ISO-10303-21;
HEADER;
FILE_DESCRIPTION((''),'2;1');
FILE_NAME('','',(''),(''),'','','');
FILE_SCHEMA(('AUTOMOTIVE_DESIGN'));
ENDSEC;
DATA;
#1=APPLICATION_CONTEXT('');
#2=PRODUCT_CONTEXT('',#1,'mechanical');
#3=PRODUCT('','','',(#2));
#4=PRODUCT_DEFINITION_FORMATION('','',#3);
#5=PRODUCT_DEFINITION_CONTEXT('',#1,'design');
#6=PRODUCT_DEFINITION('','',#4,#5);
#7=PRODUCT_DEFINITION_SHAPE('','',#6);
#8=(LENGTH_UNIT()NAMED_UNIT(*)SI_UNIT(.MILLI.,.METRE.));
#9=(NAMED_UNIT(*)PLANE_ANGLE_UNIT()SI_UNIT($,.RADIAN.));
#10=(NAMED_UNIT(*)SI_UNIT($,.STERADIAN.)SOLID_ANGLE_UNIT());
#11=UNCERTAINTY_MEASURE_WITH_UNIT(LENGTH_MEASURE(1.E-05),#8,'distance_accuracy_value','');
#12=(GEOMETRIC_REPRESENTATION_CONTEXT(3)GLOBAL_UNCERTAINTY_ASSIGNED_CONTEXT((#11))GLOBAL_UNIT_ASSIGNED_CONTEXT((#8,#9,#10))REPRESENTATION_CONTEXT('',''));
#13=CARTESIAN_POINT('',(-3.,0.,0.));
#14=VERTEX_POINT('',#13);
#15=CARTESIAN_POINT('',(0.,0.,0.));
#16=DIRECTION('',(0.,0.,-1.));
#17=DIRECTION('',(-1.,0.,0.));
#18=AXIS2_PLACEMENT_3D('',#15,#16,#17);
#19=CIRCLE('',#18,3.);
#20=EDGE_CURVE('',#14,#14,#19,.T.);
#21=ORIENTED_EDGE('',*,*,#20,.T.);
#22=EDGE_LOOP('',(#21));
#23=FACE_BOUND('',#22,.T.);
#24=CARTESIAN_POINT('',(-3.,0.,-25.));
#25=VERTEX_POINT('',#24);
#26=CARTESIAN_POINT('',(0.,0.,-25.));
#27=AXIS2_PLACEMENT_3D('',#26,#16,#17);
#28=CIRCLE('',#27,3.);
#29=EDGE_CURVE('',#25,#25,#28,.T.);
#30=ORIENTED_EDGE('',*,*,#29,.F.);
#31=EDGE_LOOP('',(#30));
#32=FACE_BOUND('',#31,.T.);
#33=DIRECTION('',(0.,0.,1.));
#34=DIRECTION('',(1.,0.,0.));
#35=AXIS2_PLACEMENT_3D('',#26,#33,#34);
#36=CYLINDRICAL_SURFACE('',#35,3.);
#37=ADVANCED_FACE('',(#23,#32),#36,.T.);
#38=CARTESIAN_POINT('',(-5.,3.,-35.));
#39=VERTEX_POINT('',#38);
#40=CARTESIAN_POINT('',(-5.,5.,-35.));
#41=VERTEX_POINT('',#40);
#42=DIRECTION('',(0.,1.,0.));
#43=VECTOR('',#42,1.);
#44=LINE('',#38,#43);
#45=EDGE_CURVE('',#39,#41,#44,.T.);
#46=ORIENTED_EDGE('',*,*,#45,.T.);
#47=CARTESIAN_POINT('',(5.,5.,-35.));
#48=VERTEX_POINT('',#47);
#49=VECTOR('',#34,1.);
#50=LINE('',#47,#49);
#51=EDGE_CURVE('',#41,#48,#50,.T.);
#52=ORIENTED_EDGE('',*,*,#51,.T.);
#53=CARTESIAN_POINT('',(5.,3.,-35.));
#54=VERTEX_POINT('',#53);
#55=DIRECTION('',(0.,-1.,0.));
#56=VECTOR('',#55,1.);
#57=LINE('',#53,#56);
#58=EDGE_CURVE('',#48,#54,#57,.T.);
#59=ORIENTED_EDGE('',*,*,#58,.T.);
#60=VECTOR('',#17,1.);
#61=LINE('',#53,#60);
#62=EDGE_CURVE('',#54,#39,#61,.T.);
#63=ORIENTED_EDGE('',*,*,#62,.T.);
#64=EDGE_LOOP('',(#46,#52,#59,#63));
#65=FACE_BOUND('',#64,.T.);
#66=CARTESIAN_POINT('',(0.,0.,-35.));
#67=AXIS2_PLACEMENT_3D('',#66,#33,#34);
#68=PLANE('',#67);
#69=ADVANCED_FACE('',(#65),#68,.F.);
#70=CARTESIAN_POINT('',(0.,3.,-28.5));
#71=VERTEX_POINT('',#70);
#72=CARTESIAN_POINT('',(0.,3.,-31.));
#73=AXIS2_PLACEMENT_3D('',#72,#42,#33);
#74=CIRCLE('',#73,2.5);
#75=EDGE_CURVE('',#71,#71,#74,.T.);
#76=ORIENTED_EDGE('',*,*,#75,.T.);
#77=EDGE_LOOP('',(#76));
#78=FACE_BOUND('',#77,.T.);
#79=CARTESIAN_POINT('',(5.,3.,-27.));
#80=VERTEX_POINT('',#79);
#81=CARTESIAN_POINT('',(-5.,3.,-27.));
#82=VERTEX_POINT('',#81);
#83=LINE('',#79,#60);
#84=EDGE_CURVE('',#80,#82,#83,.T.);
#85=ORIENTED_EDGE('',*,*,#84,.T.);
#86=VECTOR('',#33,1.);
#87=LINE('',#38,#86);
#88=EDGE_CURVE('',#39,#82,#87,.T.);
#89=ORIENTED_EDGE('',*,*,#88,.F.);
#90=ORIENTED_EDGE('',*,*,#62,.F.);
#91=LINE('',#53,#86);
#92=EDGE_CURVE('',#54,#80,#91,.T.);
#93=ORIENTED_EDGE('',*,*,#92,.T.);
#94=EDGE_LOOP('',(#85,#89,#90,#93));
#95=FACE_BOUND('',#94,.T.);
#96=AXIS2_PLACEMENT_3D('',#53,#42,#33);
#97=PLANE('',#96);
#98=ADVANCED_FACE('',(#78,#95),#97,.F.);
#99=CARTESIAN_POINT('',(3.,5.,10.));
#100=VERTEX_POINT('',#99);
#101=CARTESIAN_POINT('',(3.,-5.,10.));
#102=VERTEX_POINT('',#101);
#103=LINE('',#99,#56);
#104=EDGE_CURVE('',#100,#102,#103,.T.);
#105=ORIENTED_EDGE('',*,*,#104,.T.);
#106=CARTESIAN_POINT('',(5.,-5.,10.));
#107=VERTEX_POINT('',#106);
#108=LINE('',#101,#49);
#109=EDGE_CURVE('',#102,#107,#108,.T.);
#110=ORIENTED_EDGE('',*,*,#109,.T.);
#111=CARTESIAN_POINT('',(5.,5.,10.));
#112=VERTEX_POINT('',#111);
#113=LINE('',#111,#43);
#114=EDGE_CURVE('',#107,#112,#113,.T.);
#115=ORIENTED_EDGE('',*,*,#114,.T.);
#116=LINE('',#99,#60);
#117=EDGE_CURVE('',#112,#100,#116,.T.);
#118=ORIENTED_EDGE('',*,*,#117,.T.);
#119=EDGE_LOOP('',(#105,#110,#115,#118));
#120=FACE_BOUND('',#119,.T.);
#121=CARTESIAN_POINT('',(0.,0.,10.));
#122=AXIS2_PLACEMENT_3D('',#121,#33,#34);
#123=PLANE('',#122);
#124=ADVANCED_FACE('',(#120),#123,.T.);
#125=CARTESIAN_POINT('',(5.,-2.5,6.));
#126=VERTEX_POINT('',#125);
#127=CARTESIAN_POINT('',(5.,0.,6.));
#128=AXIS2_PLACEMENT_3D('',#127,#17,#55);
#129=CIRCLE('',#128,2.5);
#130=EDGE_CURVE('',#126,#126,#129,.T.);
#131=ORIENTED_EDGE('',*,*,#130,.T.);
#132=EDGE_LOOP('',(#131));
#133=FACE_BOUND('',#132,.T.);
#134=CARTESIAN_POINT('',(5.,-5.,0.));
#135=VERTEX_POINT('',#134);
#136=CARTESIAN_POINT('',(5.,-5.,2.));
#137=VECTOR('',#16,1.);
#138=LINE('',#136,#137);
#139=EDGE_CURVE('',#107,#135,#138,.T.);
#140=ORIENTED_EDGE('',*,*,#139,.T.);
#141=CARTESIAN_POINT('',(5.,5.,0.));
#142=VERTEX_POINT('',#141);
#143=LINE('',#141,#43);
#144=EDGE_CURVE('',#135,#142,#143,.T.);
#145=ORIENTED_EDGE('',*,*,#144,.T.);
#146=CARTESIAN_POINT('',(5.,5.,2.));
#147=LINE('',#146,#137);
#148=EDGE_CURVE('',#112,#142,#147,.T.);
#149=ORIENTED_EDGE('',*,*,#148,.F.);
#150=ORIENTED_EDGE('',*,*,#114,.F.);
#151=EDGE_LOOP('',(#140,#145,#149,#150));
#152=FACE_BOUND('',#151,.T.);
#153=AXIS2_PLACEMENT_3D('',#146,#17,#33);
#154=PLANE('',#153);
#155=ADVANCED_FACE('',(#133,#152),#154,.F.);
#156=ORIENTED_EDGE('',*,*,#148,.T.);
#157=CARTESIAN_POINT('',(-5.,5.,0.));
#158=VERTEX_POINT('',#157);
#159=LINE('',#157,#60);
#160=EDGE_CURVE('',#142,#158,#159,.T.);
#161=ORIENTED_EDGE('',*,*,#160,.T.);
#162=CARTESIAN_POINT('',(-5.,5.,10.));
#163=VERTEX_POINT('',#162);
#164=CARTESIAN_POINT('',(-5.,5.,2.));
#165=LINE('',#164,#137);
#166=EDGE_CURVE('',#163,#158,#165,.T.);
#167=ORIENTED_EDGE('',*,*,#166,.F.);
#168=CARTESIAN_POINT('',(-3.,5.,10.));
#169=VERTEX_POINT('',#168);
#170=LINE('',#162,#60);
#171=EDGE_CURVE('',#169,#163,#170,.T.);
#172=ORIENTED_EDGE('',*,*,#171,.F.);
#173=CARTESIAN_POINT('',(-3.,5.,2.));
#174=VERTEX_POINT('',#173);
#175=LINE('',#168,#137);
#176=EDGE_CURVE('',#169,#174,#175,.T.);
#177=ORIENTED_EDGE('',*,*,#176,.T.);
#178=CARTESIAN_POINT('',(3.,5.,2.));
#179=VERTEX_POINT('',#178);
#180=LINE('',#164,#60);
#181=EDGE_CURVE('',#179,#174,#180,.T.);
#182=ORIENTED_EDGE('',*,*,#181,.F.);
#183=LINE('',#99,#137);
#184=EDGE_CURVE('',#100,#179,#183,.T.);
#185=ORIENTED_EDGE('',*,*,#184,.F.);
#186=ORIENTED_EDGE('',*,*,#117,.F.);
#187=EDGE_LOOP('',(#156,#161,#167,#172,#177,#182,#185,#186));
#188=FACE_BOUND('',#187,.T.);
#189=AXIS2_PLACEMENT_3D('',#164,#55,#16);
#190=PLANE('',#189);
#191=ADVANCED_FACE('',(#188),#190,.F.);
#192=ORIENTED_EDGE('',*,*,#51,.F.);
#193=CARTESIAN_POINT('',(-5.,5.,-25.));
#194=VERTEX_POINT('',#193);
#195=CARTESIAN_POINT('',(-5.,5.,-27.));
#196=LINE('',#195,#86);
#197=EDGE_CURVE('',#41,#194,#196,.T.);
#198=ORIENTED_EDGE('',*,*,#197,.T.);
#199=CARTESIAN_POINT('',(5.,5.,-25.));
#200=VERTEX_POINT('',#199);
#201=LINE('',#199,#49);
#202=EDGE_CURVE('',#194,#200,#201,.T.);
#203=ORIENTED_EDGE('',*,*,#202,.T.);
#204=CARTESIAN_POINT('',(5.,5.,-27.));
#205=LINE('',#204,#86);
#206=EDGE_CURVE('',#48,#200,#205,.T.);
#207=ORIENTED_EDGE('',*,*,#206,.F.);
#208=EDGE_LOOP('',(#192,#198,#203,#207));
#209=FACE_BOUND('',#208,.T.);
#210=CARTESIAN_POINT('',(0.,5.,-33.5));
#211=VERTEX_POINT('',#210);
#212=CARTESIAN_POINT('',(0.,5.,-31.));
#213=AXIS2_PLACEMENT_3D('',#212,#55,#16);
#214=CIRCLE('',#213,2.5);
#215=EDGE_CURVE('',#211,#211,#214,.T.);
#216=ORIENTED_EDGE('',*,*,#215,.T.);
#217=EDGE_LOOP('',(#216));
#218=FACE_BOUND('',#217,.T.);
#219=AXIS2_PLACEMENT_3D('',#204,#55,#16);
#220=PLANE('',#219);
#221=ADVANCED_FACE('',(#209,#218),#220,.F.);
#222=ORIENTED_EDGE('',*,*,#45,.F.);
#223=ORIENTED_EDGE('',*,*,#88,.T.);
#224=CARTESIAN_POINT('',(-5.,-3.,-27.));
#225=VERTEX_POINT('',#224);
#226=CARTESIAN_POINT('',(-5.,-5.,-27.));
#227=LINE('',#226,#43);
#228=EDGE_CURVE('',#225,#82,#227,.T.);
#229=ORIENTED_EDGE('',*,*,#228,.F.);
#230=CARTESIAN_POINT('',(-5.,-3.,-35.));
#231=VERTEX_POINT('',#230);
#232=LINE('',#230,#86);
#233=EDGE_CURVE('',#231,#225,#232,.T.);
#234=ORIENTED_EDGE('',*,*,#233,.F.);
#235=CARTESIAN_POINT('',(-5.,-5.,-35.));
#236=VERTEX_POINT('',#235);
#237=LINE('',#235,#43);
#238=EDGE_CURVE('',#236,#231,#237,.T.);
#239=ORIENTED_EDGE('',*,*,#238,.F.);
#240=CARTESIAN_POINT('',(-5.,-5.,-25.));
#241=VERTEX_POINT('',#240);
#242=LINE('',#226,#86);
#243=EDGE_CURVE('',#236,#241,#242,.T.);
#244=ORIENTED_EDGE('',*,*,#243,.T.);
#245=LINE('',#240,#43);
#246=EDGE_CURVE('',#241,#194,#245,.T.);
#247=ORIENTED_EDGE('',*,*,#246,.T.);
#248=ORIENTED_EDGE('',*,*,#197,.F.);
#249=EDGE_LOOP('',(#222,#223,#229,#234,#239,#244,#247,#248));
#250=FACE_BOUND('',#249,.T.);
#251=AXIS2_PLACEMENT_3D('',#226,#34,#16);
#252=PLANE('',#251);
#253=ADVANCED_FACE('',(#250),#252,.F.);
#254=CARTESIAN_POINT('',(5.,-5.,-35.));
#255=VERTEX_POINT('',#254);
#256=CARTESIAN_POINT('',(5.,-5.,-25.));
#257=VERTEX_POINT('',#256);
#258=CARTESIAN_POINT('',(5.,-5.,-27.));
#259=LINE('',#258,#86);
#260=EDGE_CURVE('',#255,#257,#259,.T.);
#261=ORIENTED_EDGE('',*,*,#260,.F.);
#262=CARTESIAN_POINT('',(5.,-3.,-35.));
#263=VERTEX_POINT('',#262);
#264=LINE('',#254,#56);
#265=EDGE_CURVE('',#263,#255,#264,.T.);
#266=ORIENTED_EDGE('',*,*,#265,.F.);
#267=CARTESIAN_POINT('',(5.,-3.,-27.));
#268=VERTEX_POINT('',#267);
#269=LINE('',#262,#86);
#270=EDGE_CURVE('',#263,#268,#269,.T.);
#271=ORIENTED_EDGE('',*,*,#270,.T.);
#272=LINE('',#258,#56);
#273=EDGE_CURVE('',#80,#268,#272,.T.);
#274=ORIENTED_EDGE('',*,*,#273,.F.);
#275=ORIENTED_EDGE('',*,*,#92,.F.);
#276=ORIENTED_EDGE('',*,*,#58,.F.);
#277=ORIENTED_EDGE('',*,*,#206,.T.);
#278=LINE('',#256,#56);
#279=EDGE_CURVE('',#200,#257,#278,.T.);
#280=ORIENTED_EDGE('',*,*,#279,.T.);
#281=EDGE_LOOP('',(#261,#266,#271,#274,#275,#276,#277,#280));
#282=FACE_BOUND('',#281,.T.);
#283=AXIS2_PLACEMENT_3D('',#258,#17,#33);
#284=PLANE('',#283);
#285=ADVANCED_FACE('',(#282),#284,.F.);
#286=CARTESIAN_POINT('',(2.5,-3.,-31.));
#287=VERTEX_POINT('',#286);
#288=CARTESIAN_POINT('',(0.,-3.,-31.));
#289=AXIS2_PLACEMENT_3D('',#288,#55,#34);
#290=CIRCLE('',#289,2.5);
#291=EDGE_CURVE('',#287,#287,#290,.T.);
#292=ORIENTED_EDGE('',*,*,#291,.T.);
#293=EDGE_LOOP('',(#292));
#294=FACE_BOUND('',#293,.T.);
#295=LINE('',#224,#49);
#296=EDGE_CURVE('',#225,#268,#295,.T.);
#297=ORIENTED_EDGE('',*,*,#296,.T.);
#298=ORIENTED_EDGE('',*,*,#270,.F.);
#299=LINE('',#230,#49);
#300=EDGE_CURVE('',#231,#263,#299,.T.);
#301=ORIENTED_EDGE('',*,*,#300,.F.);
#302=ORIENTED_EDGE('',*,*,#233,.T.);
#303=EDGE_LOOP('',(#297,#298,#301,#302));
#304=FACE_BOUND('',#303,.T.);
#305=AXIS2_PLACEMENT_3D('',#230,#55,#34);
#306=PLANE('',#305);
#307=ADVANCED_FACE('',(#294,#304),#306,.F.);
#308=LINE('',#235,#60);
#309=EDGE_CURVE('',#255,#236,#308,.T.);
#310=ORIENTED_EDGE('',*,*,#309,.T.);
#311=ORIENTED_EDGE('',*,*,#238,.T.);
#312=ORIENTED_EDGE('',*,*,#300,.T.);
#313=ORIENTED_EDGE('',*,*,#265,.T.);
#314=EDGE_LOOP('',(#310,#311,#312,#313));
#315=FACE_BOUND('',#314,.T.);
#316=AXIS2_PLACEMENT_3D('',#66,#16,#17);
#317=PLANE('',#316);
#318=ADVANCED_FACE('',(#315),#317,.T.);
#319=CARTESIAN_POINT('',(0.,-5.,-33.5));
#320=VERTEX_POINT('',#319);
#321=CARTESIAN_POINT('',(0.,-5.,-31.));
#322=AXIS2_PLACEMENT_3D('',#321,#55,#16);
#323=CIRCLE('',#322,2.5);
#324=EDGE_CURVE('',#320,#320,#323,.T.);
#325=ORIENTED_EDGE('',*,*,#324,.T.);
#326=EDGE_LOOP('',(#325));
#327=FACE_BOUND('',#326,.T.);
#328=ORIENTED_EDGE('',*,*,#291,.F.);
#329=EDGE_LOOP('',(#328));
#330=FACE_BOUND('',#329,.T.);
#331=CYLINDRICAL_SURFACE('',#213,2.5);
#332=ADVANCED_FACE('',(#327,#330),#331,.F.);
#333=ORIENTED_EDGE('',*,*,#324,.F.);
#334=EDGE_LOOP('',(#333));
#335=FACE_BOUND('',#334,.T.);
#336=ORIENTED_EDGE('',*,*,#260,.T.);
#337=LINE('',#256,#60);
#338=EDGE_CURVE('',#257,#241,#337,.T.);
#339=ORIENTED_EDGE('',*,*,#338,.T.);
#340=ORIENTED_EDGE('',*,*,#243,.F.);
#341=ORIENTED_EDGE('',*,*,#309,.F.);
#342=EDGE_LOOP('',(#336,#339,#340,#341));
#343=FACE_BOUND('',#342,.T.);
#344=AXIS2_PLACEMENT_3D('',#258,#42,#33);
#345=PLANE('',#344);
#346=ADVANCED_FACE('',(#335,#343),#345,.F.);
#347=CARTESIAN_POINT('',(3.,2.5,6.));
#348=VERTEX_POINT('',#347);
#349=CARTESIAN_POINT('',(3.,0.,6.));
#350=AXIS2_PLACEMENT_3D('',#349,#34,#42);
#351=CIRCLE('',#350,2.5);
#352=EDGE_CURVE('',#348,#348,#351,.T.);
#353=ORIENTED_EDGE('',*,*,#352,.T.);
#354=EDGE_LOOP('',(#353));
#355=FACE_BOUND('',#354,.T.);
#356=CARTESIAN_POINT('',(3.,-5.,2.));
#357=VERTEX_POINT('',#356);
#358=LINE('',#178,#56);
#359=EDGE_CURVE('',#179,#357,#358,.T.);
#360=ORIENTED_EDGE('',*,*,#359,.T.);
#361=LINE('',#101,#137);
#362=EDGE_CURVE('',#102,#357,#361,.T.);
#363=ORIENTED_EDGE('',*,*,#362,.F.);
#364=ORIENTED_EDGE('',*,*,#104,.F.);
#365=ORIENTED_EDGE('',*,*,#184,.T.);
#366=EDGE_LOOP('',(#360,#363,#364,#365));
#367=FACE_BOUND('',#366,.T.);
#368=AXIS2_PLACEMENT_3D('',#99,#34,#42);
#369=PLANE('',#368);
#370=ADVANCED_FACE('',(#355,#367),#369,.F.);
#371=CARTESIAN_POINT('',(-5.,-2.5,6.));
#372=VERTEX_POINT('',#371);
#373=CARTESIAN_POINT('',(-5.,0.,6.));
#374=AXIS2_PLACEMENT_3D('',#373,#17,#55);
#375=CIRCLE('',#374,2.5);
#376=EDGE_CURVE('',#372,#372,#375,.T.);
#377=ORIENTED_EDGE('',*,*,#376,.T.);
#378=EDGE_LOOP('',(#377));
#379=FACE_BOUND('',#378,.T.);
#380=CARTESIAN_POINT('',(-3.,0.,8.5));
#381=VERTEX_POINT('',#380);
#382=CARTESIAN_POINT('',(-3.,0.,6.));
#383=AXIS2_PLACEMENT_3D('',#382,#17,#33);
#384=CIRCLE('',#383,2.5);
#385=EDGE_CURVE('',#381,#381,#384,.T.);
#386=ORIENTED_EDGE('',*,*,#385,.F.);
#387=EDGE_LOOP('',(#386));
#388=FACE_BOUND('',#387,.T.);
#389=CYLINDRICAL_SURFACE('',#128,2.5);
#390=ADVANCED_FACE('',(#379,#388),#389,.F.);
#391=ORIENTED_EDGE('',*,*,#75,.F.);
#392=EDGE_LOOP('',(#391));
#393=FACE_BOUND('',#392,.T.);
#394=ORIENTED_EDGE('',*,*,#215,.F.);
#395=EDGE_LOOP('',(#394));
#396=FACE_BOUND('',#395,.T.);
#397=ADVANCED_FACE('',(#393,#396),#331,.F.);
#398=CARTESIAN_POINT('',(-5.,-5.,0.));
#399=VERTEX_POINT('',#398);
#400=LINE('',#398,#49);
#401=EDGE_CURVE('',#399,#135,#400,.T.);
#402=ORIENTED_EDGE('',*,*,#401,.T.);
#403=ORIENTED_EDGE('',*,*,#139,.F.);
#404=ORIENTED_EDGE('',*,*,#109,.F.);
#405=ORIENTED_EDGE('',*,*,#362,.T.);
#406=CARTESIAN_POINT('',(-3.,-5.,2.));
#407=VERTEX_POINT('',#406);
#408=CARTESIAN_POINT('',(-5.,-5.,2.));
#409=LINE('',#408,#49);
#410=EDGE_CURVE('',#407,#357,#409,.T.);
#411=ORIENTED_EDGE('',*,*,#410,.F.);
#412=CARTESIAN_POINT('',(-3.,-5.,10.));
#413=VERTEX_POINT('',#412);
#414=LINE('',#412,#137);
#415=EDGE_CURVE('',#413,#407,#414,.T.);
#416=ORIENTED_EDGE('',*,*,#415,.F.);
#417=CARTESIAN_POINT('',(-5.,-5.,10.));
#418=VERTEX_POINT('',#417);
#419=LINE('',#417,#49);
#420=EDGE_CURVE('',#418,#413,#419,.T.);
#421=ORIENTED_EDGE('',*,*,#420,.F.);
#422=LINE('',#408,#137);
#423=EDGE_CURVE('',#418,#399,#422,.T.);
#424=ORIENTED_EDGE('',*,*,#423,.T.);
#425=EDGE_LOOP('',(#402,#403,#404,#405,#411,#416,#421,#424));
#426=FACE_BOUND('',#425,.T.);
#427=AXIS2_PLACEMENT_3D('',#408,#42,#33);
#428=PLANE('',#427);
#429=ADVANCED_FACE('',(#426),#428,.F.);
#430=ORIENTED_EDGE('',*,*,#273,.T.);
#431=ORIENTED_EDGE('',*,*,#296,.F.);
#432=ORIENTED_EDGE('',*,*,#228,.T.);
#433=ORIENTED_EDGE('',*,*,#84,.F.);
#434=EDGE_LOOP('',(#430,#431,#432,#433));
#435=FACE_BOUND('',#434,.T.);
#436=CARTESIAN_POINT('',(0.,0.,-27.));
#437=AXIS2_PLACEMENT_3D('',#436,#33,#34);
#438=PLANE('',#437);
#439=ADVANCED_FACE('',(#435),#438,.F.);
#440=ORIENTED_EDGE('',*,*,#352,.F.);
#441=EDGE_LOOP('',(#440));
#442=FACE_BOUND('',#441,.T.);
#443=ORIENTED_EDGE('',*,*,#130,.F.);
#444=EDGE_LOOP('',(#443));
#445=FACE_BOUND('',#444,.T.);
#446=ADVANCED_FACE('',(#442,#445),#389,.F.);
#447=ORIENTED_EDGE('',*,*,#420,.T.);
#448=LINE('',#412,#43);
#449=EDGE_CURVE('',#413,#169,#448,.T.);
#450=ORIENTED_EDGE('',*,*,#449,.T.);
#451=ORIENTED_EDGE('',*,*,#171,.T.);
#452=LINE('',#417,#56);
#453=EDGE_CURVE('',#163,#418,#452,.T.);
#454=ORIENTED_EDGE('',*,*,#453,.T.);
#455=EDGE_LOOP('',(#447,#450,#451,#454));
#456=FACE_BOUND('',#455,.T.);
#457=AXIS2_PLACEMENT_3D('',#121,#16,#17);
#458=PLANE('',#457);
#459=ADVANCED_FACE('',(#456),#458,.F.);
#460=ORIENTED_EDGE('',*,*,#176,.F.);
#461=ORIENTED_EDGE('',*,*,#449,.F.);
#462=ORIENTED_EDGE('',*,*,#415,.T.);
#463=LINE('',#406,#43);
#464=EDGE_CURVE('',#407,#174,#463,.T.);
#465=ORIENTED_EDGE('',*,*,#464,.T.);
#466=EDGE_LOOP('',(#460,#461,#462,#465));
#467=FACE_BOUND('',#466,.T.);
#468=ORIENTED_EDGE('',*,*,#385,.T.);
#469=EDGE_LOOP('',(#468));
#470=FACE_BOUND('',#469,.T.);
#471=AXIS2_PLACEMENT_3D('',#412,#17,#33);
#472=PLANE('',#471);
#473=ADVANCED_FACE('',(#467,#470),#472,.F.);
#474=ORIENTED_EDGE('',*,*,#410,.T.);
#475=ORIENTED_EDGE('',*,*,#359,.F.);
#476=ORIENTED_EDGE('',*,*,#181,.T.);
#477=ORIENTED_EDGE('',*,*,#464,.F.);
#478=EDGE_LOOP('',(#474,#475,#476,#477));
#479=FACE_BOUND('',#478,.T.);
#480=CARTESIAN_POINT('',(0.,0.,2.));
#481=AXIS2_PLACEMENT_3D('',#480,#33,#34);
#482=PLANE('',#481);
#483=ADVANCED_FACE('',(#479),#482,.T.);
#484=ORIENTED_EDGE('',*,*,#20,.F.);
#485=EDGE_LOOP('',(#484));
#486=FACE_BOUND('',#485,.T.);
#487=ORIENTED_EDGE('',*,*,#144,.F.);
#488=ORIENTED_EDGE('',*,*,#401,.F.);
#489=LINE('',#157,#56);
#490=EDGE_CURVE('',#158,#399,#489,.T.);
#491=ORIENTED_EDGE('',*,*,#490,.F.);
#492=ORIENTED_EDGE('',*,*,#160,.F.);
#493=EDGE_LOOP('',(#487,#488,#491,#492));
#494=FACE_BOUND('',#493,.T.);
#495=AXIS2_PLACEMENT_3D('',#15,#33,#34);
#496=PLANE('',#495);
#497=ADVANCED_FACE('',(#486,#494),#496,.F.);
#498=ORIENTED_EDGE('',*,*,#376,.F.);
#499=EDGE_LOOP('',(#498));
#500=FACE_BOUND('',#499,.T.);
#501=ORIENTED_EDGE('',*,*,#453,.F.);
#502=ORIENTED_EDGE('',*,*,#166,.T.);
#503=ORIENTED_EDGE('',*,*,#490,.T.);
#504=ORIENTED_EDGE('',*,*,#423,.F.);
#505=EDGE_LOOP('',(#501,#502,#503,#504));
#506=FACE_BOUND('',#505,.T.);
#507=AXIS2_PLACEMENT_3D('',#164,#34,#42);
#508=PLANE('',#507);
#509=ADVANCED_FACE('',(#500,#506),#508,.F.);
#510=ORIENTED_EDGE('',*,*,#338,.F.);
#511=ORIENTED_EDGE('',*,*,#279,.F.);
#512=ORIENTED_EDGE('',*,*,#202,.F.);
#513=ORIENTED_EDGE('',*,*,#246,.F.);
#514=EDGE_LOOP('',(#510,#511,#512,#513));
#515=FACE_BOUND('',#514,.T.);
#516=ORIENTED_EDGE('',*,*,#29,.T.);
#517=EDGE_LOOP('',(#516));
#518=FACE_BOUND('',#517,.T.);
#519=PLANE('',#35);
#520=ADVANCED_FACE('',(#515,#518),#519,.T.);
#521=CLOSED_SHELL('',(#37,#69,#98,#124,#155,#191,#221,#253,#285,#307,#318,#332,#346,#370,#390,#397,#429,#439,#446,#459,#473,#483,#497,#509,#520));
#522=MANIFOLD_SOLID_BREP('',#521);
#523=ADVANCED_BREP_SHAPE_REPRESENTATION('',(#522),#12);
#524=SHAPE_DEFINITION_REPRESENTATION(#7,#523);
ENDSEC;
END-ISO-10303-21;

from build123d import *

# Parameters (mm, degrees)
SKETCH1_W           = 10
SKETCH1_H           = 10
BOSS_EXTRUDE1_DEPTH = 2
SKETCH2_W           = 2
SKETCH2_H           = 10
BOSS_EXTRUDE2_DEPTH = 8
SKETCH3_R           = 2.5
CUT_EXTRUDE1_DEPTH  = 16
SKETCH4_R           = 3
BOSS_EXTRUDE3_DEPTH = 25
SKETCH5_W           = 10
SKETCH5_H           = 10
BOSS_EXTRUDE4_DEPTH = 2
SKETCH6_W           = 10
SKETCH6_H           = 2
BOSS_EXTRUDE5_DEPTH = 8
SKETCH7_R           = 2.5
CUT_EXTRUDE2_DEPTH  = 37.742346142


with BuildPart() as part:
    # Sketch1 → Boss-Extrude1 (new body)
    with BuildSketch(Plane.XY):
        Rectangle(SKETCH1_W, SKETCH1_H)
    extrude(amount=BOSS_EXTRUDE1_DEPTH)

    # Sketch2 → Boss-Extrude2 (add)
    with BuildSketch(Plane.XY.offset(2)):
        with Locations((-4, 0)):
            Rectangle(SKETCH2_W, SKETCH2_H)
        with Locations((4, 0)):
            Rectangle(SKETCH2_W, SKETCH2_H)
    extrude(amount=BOSS_EXTRUDE2_DEPTH)

    # Sketch3 → Cut-Extrude1 (cut, through all)
    with BuildSketch(Plane.ZY.offset(5)):
        with Locations(Location((6, 0, 0), (0, 0, 270))):
            Circle(SKETCH3_R)
    extrude(amount=-CUT_EXTRUDE1_DEPTH, mode=Mode.SUBTRACT)

    # Sketch4 → Boss-Extrude3 (add)
    with BuildSketch(Plane(origin=(0, 0, 0), x_dir=(-1, 0, 0), z_dir=(0, 0, -1))):
        Circle(SKETCH4_R)
    extrude(amount=BOSS_EXTRUDE3_DEPTH)

    # Sketch5 → Boss-Extrude4 (add)
    with BuildSketch(Plane(origin=(0, 0, -25), x_dir=(-1, 0, 0), z_dir=(0, 0, -1))):
        Rectangle(SKETCH5_W, SKETCH5_H)
    extrude(amount=BOSS_EXTRUDE4_DEPTH)

    # Sketch6 → Boss-Extrude5 (add)
    with BuildSketch(Plane(origin=(0, 0, -27), x_dir=(-1, 0, 0), z_dir=(0, 0, -1))):
        with Locations((0, -4)):
            Rectangle(SKETCH6_W, SKETCH6_H)
        with Locations((0, 4)):
            Rectangle(SKETCH6_W, SKETCH6_H)
    extrude(amount=BOSS_EXTRUDE5_DEPTH)

    # Sketch7 → Cut-Extrude2 (cut, through all)
    with BuildSketch(Plane.XZ.offset(5)):
        with Locations(Location((0, -31, 0), (0, 0, 270))):
            Circle(SKETCH7_R)
    extrude(amount=-CUT_EXTRUDE2_DEPTH, mode=Mode.SUBTRACT)


solid = part.part
